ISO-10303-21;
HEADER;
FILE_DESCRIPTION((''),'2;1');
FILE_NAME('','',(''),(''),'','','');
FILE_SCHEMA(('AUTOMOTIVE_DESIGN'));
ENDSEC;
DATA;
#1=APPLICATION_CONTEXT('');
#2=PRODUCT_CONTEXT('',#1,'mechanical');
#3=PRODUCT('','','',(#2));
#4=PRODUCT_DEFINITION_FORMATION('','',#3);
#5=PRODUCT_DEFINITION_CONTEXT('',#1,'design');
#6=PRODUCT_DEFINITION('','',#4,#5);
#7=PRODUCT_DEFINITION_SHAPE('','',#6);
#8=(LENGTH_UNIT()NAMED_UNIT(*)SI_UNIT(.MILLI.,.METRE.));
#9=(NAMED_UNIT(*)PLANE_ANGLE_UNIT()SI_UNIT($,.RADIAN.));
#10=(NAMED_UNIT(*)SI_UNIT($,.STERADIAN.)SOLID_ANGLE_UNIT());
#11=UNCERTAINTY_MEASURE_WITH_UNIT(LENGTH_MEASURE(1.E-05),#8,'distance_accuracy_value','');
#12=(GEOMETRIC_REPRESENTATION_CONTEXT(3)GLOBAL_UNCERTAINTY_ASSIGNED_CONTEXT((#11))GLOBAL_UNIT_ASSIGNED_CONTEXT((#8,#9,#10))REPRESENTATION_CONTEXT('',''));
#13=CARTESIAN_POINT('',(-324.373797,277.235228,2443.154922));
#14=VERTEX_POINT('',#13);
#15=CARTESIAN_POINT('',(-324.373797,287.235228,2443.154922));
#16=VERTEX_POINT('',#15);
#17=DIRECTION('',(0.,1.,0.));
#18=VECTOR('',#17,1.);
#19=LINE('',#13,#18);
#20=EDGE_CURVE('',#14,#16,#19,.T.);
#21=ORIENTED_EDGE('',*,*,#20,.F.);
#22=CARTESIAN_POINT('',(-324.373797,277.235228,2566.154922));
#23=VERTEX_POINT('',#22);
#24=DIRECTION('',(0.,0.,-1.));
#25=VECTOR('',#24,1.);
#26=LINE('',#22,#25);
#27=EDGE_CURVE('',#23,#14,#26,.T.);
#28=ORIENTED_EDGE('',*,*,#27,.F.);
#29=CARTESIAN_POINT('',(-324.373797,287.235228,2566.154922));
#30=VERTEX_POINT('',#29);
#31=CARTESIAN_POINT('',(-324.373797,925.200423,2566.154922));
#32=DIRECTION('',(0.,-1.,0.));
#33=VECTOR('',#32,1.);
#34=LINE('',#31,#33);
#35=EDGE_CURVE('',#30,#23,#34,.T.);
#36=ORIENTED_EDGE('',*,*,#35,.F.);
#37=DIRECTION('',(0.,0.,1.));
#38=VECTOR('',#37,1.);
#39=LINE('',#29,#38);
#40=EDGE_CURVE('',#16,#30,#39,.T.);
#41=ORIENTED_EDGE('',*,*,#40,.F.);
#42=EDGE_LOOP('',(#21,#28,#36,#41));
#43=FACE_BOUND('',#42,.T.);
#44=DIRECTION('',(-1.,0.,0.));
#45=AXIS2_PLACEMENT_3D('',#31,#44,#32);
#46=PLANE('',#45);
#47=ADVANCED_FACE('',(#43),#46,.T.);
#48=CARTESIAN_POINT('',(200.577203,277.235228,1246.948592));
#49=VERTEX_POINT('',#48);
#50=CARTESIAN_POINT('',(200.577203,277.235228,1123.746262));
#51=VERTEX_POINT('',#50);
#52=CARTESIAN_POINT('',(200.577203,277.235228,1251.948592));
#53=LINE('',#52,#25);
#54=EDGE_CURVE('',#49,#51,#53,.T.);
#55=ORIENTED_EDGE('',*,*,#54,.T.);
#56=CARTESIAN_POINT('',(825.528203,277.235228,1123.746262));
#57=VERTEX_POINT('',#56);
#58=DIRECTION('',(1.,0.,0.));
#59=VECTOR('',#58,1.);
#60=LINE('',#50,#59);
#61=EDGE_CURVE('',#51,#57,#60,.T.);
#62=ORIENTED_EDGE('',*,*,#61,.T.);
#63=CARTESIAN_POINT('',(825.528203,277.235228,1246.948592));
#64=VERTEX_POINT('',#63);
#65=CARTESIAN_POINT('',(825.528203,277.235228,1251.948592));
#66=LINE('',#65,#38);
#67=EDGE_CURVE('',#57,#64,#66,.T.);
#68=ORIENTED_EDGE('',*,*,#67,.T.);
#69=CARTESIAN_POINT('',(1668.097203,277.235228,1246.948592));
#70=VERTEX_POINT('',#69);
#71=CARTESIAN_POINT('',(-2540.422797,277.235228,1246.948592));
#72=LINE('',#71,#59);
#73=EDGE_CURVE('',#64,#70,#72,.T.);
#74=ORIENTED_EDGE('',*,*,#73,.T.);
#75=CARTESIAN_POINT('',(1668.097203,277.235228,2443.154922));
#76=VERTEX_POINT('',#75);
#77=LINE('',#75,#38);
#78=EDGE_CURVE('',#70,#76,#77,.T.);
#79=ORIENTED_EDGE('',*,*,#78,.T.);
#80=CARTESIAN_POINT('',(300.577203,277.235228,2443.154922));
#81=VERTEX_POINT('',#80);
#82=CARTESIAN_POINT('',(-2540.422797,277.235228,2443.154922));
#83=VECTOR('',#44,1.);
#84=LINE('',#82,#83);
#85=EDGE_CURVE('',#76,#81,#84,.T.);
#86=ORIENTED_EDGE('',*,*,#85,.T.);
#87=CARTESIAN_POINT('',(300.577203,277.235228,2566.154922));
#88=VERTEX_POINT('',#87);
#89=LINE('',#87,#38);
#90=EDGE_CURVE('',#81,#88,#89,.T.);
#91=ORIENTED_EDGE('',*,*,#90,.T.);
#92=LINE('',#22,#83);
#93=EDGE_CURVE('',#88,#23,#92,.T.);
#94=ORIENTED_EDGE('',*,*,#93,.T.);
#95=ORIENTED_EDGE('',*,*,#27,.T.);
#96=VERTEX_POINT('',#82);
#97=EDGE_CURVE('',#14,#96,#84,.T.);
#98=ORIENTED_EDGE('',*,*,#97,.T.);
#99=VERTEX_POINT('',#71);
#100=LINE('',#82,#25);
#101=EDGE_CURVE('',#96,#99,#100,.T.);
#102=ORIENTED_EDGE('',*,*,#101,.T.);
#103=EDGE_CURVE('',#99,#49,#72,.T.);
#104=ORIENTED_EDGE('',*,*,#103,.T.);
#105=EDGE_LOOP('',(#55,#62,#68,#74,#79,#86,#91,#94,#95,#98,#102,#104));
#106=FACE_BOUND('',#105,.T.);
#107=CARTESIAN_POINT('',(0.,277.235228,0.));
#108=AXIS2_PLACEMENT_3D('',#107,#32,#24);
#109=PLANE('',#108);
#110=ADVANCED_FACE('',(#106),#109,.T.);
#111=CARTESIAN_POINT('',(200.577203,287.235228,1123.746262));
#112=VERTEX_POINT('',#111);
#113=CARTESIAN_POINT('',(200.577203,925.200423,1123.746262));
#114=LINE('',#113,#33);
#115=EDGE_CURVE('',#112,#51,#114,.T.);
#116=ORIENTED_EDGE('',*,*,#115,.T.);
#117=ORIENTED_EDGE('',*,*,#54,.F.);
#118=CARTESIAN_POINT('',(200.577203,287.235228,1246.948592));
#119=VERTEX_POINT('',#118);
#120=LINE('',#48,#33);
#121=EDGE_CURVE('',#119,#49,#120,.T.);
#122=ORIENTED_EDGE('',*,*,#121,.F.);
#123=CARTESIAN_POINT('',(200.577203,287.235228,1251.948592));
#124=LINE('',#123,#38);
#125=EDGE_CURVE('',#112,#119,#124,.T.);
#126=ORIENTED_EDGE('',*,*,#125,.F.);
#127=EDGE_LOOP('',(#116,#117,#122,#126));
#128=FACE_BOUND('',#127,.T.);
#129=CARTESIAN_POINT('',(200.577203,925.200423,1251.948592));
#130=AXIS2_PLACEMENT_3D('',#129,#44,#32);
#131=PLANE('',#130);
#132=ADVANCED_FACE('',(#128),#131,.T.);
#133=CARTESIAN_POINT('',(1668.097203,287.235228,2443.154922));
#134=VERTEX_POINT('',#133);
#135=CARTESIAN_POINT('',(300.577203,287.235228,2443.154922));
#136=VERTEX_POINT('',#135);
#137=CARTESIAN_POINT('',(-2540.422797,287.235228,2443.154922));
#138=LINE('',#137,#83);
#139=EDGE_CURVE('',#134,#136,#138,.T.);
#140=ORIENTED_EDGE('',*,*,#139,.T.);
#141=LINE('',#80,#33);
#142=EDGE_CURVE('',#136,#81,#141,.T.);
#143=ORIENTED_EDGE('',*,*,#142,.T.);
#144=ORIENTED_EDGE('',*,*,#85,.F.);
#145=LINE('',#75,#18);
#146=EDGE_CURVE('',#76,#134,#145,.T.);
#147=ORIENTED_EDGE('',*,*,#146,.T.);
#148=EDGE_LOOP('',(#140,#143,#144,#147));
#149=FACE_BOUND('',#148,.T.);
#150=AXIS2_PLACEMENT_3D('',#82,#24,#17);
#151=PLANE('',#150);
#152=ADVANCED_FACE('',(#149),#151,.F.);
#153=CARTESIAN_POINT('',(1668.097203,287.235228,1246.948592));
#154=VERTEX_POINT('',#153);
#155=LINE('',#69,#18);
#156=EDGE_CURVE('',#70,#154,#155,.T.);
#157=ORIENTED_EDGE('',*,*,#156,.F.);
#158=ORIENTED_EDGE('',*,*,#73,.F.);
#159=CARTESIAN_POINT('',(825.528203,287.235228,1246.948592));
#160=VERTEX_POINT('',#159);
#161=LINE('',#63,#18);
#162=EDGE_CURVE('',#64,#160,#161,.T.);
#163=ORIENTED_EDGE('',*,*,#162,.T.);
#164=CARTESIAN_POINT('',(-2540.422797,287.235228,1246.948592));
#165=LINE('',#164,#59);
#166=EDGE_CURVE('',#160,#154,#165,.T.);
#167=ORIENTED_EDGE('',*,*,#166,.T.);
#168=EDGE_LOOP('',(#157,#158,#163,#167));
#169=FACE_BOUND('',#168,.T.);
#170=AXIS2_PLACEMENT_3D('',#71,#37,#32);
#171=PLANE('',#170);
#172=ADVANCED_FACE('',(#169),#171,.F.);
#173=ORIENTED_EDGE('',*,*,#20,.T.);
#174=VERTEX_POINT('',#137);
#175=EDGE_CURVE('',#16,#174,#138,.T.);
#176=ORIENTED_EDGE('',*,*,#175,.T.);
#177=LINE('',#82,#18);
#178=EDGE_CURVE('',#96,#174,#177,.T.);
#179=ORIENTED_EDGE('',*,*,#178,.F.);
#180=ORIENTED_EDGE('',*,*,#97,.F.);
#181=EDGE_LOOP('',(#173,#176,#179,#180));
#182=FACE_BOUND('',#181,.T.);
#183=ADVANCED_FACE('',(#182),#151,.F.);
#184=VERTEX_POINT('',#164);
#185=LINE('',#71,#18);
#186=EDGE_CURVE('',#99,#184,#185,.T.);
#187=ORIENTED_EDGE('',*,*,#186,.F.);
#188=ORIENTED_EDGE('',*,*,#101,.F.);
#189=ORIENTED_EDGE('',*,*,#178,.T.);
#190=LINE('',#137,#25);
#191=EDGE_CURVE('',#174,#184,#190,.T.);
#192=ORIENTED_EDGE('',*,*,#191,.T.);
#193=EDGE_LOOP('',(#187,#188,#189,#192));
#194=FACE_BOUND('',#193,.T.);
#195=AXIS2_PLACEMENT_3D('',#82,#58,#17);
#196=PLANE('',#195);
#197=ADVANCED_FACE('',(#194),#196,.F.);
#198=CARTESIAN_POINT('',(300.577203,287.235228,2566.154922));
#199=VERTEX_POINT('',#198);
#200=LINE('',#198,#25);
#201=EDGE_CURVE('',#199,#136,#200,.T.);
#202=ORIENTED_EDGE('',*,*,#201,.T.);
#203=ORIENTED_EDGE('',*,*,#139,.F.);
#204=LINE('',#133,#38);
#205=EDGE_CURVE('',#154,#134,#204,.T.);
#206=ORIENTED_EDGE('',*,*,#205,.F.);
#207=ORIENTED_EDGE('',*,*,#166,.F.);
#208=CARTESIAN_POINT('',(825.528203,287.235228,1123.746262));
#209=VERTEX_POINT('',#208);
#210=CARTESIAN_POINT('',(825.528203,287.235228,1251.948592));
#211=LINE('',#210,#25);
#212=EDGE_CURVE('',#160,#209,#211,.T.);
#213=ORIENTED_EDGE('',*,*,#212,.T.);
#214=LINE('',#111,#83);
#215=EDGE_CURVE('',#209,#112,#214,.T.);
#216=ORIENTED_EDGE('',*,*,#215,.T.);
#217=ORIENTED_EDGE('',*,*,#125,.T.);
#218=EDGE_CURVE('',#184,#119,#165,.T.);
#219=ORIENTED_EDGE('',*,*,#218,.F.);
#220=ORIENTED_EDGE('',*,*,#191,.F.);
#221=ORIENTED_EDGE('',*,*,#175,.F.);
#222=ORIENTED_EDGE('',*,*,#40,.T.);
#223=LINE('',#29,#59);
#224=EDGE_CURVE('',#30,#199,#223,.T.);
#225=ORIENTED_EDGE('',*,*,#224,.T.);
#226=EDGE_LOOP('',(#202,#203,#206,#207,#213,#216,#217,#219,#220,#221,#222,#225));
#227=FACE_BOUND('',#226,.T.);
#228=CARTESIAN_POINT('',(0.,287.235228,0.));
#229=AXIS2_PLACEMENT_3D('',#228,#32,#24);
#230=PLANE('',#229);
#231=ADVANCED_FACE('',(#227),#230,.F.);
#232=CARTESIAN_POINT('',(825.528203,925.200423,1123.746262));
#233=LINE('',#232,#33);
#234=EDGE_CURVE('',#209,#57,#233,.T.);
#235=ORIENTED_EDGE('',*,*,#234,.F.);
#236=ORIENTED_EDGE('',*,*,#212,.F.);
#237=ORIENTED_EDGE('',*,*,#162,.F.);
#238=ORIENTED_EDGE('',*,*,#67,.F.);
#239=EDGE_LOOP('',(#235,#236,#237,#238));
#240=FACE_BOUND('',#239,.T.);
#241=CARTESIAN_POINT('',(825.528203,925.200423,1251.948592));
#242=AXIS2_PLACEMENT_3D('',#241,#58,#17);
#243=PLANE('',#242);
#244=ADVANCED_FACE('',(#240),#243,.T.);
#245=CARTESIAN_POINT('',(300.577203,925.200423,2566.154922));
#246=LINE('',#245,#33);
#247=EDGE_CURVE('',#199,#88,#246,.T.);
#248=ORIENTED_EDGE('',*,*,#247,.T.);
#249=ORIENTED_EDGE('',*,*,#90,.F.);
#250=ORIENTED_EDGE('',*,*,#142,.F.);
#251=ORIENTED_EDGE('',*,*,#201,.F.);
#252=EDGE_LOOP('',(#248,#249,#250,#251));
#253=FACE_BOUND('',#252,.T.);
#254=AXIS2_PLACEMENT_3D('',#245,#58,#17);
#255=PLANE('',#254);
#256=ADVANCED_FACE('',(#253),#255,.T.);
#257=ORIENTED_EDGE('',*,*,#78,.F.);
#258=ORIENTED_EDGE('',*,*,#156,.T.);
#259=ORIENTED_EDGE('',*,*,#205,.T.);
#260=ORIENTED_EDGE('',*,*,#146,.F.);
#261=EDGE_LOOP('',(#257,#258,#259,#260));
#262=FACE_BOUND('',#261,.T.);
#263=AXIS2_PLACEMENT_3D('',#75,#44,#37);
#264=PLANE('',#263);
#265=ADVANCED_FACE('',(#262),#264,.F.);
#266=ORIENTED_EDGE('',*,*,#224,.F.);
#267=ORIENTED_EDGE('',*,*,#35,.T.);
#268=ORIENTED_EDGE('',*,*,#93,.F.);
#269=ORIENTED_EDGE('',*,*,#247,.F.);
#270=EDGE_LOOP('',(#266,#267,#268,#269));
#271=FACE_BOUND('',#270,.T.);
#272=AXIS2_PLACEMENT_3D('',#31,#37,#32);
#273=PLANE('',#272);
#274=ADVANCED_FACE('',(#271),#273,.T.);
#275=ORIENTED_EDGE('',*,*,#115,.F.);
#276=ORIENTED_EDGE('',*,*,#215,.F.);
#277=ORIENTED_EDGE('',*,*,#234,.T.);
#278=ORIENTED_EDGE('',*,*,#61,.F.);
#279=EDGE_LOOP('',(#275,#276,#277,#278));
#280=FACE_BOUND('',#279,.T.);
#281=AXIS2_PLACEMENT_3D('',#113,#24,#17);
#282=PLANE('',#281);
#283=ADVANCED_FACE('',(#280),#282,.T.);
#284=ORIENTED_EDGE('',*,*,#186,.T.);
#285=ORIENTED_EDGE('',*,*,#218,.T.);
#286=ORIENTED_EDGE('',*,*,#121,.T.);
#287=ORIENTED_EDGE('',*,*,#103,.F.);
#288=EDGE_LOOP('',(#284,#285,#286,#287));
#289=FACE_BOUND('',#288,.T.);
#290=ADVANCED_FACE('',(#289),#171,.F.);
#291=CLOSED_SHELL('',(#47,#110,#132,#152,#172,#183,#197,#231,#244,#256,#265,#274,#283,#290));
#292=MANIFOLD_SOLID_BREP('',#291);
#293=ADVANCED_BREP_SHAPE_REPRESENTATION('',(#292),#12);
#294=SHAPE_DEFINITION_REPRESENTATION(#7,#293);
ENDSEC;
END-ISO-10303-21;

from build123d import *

# Parameters (mm, degrees)
SKETCH1_W                                    = 4208.52
SKETCH1_H                                    = 1196.206330057
BOTTOM_PLATE_DEPTH                           = 10
SKETCH4_W                                    = 624.951
SKETCH4_H                                    = 128.202330056
SKETCH4_H_2                                  = 128
PLATE_EXTENSION_FOR_ELEVATOR_MECHANISM_DEPTH = 10


with BuildPart() as part:
    # Sketch1 → Bottom plate (new body)
    with BuildSketch(Plane.XZ.offset(-287.23522809)):
        with Locations((-436.16279664, 1845.051757401)):
            Rectangle(SKETCH1_W, SKETCH1_H)
    extrude(amount=BOTTOM_PLATE_DEPTH)

    # Sketch4 → Plate extension for elevator mechanism (add)
    with BuildSketch(Plane.XZ.offset(-277.23522809)):
        with Locations((513.05270336, 1187.847427344)):
            Rectangle(SKETCH4_W, SKETCH4_H)
        with Locations((-11.89829664, 2502.154922429)):
            Rectangle(SKETCH4_W, SKETCH4_H_2)
    extrude(amount=-PLATE_EXTENSION_FOR_ELEVATOR_MECHANISM_DEPTH)


solid = part.part
